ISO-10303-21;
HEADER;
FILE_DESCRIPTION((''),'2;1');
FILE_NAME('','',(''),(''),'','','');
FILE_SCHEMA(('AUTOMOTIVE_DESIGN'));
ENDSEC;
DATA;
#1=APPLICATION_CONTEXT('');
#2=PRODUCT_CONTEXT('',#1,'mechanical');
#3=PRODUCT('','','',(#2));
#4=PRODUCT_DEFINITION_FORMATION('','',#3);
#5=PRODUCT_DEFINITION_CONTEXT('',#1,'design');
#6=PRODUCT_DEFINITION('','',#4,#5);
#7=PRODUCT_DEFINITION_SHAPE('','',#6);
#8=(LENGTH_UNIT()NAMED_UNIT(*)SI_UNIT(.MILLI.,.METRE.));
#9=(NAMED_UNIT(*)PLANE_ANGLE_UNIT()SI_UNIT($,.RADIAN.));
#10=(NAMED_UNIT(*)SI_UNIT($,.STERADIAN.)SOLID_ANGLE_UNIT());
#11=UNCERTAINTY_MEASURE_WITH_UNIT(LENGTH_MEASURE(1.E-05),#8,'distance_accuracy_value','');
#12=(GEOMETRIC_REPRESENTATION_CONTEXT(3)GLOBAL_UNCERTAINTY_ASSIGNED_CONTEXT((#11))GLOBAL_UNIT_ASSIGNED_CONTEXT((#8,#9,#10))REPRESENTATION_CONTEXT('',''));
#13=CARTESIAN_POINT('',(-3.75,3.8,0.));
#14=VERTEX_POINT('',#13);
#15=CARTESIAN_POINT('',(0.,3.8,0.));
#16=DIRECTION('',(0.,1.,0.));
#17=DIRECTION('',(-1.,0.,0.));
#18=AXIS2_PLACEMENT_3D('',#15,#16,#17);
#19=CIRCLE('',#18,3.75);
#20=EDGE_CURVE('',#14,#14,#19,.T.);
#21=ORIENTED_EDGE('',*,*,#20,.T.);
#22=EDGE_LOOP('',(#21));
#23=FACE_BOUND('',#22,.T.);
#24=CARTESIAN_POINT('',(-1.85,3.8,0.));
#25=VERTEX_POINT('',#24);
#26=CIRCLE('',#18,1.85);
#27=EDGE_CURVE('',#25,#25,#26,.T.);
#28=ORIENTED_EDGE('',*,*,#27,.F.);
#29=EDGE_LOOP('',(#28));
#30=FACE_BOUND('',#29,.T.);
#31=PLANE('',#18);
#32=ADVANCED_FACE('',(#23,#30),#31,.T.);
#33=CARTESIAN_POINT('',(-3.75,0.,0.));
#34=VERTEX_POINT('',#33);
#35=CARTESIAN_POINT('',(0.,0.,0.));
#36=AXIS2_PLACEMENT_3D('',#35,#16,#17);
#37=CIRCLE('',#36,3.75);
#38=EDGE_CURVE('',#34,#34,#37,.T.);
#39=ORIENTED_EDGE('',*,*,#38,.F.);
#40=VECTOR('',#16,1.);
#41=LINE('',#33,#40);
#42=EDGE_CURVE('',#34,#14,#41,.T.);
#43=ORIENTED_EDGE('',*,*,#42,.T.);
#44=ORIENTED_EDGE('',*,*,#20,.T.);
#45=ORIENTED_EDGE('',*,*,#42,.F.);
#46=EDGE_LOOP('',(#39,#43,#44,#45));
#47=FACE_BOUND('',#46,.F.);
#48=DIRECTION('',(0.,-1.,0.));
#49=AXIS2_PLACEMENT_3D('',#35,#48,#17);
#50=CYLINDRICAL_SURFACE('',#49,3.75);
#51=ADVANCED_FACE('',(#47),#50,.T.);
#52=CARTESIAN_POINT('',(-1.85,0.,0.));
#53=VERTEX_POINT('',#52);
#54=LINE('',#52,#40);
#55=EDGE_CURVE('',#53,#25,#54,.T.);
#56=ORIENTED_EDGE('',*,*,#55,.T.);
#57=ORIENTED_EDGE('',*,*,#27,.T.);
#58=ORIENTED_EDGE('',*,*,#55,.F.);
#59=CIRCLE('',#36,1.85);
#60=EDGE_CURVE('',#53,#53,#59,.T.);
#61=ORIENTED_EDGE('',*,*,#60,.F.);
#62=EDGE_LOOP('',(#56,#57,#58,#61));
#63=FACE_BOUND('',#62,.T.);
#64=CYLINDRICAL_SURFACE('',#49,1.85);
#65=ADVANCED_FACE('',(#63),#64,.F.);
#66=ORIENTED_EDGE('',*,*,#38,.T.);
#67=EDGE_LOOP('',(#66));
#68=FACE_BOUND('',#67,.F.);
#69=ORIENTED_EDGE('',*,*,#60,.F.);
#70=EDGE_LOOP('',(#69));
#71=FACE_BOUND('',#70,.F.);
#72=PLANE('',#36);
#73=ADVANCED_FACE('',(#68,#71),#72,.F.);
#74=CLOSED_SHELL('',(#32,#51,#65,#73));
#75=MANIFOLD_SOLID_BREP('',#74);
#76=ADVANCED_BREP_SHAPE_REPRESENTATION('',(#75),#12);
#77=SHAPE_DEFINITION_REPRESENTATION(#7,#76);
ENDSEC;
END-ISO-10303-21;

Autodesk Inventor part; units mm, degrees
ref_plane "YZ Plane" through (0, 0, 0) normal (1, 0, 0) x (0, 1, 0)
ref_plane "XZ Plane" through (0, 0, 0) normal (0, 1, 0) x (-1, 0, 0)
ref_plane "XY Plane" through (0, 0, 0) normal (0, 0, 1) x (1, 0, 0)
sketch "Sketch1" plane through (0, 0, 0) normal (0, 1, 0) x (-1, 0, 0)
  circle A0 centre (0, 0) radius 1.85
  circle A1 centre (0, 0) radius 3.75
  dimension "d0" = 3.7
  dimension "d1" = 7.5
extrude "Extrusion1" add sketch "Sketch1" along normal blind 3.8
properties part number "spacer_4mm"
